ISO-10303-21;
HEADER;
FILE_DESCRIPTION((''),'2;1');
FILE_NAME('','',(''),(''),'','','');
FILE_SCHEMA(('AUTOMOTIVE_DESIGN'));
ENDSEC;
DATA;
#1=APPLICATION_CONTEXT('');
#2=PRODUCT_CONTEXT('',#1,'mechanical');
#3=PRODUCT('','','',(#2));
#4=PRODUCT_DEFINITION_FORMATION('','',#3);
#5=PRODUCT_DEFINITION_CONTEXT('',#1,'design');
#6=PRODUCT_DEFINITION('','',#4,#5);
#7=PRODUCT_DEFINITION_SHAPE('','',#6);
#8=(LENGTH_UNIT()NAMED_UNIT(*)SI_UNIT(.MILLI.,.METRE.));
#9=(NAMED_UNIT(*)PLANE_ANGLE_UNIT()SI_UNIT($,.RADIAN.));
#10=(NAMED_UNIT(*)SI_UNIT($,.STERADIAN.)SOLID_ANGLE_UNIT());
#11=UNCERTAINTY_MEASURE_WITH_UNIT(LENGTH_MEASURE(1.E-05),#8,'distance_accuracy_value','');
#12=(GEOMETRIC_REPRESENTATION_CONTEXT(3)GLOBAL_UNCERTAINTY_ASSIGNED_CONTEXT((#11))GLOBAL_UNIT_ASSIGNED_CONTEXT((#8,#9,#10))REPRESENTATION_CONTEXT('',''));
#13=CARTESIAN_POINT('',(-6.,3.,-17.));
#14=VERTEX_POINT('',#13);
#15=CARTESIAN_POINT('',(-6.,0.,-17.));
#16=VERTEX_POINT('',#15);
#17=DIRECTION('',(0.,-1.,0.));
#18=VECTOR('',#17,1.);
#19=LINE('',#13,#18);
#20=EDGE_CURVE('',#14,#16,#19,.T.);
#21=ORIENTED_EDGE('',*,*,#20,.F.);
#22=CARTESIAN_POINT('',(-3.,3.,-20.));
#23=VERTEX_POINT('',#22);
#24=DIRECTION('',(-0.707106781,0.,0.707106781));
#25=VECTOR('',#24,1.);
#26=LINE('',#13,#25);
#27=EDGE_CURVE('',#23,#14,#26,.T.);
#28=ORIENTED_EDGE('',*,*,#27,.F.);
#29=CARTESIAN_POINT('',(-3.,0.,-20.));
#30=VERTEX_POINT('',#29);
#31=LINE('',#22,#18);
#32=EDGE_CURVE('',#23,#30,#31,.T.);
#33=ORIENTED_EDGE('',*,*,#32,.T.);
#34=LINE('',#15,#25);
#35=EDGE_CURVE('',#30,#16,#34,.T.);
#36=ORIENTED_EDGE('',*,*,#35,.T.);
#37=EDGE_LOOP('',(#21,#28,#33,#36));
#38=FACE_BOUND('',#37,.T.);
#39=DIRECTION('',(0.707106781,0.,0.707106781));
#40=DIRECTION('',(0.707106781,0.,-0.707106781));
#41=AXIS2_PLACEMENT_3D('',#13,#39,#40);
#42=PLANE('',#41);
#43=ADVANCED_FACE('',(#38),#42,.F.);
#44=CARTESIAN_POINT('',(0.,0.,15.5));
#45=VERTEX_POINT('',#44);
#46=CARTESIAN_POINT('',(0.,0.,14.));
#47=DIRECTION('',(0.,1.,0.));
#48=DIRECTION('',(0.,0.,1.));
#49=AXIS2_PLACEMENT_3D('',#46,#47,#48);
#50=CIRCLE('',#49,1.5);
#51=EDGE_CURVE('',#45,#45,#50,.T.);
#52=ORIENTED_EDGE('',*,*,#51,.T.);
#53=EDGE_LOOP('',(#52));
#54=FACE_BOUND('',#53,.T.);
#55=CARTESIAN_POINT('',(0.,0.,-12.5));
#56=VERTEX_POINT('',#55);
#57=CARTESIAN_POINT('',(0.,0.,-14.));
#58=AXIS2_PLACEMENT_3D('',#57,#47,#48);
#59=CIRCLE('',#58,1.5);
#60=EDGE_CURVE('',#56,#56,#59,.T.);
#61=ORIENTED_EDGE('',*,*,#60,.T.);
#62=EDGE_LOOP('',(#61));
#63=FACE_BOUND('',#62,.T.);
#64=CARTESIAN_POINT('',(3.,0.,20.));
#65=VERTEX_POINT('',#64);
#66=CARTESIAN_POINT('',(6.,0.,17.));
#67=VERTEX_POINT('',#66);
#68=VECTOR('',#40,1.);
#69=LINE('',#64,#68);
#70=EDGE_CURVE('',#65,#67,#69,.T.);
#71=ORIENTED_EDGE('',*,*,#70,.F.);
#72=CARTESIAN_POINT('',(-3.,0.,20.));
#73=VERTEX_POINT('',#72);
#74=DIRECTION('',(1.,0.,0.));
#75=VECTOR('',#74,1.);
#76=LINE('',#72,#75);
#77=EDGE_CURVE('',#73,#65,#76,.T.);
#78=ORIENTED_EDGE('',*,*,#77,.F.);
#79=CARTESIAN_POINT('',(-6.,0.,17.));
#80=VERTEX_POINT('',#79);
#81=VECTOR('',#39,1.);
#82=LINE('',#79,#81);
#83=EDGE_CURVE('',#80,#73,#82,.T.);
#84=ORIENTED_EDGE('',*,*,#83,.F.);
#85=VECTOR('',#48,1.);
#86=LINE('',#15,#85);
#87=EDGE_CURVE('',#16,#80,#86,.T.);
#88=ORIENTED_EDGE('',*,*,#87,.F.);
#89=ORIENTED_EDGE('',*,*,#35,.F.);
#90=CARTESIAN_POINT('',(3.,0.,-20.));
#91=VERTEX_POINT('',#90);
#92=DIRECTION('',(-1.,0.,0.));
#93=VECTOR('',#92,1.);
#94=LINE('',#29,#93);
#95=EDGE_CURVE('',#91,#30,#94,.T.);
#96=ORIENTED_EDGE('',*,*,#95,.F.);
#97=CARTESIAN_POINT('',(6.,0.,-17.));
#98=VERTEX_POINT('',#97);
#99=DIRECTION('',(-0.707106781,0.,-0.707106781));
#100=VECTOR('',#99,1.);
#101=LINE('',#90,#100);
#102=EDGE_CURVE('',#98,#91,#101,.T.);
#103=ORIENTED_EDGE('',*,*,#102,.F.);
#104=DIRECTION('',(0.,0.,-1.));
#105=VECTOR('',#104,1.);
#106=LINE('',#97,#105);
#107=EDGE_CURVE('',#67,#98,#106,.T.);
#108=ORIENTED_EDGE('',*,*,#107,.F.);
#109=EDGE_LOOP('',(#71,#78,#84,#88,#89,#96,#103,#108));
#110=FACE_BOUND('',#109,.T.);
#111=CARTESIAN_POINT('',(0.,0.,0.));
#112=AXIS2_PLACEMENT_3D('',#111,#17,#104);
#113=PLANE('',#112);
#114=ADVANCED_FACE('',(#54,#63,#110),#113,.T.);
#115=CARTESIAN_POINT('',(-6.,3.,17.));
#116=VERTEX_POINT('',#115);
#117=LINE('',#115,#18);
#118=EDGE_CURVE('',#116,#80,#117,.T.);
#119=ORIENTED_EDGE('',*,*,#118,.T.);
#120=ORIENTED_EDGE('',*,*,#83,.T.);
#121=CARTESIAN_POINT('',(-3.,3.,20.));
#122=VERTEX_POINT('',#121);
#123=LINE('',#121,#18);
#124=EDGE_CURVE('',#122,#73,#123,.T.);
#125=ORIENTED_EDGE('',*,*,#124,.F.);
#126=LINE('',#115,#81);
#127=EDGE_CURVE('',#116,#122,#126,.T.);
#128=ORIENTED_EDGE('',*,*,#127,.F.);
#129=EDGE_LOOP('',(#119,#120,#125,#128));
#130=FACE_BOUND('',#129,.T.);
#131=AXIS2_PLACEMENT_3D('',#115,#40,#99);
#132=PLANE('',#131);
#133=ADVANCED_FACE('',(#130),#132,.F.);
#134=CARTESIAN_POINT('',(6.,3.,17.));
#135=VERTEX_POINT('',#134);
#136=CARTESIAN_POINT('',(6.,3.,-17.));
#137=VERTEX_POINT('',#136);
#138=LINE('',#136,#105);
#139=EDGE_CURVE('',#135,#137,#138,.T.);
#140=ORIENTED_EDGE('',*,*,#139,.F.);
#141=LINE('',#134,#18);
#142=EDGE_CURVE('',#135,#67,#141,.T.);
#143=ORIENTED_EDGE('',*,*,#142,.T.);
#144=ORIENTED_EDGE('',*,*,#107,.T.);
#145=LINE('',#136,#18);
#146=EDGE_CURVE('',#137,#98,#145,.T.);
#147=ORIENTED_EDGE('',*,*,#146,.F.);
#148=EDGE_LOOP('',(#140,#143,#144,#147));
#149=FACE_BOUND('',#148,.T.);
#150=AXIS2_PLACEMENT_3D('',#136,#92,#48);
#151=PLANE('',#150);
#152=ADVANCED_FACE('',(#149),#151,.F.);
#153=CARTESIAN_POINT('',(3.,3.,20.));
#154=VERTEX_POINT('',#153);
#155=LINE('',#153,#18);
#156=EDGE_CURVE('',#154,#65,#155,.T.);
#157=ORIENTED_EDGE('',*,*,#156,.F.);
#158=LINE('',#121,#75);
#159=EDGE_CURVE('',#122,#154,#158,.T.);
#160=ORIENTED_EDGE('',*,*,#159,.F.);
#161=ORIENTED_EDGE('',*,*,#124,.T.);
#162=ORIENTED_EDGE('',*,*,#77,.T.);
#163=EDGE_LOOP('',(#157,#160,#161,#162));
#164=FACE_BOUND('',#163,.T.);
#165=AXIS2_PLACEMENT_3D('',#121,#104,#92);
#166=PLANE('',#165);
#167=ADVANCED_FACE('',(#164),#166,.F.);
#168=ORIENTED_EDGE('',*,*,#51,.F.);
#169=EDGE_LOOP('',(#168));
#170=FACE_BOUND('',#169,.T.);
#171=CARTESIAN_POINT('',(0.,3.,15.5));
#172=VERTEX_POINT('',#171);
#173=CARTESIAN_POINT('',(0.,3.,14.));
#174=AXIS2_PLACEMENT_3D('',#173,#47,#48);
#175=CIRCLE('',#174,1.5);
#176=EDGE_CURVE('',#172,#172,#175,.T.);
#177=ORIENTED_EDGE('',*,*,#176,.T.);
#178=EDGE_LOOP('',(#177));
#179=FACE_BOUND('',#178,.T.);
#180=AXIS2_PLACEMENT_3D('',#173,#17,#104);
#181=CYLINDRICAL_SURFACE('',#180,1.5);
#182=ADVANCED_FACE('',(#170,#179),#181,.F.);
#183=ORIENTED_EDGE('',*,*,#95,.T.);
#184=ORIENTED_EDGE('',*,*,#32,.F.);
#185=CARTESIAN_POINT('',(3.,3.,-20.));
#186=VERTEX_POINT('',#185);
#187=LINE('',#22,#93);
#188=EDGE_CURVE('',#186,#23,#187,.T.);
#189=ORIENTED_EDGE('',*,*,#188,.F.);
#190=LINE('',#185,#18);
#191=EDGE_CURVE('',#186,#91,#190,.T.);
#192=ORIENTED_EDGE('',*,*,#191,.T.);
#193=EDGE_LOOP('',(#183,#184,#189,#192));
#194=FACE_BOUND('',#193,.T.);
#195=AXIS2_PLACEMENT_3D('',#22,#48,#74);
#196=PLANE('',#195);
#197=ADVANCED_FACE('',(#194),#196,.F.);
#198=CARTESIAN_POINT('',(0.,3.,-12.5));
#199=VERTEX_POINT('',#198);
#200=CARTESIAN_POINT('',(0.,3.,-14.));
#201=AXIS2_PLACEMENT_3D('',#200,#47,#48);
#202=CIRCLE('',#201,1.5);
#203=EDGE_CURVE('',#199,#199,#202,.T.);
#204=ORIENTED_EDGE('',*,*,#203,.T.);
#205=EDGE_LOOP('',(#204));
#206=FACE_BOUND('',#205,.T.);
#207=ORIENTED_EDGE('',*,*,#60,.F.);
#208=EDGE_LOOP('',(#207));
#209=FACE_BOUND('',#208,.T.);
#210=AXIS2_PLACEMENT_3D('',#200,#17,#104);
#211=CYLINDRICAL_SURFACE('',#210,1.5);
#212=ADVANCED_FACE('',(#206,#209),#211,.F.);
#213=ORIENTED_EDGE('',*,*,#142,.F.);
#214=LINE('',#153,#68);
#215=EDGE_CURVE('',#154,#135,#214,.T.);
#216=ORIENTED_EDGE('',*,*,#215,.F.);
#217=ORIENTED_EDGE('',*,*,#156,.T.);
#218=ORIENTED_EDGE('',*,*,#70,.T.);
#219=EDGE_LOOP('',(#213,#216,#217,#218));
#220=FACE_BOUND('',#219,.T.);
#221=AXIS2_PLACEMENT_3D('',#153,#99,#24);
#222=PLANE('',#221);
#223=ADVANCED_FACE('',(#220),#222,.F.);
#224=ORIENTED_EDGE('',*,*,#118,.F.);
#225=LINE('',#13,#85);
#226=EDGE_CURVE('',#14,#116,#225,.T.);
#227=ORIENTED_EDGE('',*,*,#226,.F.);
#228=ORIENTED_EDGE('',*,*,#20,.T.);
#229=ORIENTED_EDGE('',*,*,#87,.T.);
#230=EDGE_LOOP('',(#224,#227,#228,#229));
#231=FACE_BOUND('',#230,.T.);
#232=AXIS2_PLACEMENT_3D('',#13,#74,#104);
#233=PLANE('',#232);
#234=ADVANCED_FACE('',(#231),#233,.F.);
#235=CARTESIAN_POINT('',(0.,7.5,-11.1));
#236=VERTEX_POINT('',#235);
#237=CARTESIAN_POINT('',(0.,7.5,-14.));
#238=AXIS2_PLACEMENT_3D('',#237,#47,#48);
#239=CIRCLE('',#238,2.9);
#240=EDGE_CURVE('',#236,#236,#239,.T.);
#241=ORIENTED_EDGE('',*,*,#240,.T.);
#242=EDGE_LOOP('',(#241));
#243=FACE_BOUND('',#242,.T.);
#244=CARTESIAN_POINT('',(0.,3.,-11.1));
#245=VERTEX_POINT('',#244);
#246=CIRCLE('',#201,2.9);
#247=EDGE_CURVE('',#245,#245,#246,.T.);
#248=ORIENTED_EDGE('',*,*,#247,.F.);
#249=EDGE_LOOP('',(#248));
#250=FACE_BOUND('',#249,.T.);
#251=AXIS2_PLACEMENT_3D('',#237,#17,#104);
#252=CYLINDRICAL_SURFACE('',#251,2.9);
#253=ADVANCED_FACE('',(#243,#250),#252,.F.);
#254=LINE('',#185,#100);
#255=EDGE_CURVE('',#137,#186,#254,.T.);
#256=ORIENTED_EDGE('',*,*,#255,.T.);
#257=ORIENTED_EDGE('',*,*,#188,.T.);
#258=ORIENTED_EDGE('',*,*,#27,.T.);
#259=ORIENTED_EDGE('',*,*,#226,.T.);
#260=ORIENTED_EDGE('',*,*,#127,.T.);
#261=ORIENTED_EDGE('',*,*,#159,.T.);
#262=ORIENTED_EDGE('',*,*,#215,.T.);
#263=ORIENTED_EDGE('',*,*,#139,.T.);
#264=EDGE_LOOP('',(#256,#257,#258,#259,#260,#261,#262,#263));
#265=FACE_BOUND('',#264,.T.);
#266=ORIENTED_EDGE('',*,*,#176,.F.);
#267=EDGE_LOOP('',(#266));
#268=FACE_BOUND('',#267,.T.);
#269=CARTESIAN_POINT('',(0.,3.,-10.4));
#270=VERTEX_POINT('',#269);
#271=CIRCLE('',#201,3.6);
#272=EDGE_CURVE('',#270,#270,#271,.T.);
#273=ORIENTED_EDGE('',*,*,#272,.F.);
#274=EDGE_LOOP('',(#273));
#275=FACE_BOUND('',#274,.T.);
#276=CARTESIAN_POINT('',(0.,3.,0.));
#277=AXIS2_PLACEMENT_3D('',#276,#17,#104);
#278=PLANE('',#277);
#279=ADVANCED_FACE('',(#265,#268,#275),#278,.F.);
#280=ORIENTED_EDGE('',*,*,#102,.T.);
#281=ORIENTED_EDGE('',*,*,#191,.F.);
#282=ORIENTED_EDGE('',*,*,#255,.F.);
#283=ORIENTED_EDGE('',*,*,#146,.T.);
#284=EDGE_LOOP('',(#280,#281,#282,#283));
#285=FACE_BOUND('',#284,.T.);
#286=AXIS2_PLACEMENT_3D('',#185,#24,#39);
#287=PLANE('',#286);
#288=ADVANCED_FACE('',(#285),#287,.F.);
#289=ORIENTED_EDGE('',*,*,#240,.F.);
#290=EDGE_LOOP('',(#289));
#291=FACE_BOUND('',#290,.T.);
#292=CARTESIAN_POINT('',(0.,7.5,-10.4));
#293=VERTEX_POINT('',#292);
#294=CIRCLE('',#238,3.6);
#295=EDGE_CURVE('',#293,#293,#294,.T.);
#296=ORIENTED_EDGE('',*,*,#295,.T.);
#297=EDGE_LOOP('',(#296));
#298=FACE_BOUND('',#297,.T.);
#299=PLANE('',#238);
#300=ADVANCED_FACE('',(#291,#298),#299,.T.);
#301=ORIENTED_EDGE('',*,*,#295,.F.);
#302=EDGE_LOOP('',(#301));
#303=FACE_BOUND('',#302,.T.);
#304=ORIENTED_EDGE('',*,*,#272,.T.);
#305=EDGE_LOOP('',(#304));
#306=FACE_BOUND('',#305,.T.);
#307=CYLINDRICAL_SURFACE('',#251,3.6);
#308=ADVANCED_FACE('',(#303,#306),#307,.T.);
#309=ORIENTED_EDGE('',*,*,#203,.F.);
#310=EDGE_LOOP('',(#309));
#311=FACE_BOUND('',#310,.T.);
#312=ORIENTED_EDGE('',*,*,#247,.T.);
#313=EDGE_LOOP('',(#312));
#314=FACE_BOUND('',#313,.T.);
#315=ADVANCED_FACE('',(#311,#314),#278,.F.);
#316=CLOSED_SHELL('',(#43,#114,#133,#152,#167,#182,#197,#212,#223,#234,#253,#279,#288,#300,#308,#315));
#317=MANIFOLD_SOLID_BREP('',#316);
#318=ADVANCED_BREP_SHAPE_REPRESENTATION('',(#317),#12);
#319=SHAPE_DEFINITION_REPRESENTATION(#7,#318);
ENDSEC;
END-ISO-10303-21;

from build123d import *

# Parameters (mm, degrees)
SKETCH1_R           = 1.5
BOSS_EXTRUDE1_DEPTH = 3
SKETCH2_R           = 3.6
SKETCH2_R_2         = 2.9
BOSS_EXTRUDE2_DEPTH = 4.5


with BuildPart() as part:
    # Sketch1 → Boss-Extrude1 (new body)
    with BuildSketch(Plane(origin=(0, 0, 0), x_dir=(1, 0, 0), z_dir=(0, 1, 0))):
        Polygon((-6, 17), (-3, 20), (3, 20), (6, 17), (6, -17), (3, -20), (-3, -20), (-6, -17), align=None)
        with Locations(Location((0, 14, 0), (0, 0, 270))):
            Circle(SKETCH1_R, mode=Mode.SUBTRACT)
        with Locations(Location((0, -14, 0), (0, 0, 270))):
            Circle(SKETCH1_R, mode=Mode.SUBTRACT)
    extrude(amount=BOSS_EXTRUDE1_DEPTH)

    # Sketch2 → Boss-Extrude2 (add)
    with BuildSketch(Plane(origin=(0, 3, 0), x_dir=(1, 0, 0), z_dir=(0, 1, 0))):
        with Locations(Location((0, 14, 0), (0, 0, 270))):
            Circle(SKETCH2_R)
        with Locations(Location((0, 14, 0), (0, 0, 270))):
            Circle(SKETCH2_R_2, mode=Mode.SUBTRACT)
    extrude(amount=BOSS_EXTRUDE2_DEPTH)


solid = part.part
